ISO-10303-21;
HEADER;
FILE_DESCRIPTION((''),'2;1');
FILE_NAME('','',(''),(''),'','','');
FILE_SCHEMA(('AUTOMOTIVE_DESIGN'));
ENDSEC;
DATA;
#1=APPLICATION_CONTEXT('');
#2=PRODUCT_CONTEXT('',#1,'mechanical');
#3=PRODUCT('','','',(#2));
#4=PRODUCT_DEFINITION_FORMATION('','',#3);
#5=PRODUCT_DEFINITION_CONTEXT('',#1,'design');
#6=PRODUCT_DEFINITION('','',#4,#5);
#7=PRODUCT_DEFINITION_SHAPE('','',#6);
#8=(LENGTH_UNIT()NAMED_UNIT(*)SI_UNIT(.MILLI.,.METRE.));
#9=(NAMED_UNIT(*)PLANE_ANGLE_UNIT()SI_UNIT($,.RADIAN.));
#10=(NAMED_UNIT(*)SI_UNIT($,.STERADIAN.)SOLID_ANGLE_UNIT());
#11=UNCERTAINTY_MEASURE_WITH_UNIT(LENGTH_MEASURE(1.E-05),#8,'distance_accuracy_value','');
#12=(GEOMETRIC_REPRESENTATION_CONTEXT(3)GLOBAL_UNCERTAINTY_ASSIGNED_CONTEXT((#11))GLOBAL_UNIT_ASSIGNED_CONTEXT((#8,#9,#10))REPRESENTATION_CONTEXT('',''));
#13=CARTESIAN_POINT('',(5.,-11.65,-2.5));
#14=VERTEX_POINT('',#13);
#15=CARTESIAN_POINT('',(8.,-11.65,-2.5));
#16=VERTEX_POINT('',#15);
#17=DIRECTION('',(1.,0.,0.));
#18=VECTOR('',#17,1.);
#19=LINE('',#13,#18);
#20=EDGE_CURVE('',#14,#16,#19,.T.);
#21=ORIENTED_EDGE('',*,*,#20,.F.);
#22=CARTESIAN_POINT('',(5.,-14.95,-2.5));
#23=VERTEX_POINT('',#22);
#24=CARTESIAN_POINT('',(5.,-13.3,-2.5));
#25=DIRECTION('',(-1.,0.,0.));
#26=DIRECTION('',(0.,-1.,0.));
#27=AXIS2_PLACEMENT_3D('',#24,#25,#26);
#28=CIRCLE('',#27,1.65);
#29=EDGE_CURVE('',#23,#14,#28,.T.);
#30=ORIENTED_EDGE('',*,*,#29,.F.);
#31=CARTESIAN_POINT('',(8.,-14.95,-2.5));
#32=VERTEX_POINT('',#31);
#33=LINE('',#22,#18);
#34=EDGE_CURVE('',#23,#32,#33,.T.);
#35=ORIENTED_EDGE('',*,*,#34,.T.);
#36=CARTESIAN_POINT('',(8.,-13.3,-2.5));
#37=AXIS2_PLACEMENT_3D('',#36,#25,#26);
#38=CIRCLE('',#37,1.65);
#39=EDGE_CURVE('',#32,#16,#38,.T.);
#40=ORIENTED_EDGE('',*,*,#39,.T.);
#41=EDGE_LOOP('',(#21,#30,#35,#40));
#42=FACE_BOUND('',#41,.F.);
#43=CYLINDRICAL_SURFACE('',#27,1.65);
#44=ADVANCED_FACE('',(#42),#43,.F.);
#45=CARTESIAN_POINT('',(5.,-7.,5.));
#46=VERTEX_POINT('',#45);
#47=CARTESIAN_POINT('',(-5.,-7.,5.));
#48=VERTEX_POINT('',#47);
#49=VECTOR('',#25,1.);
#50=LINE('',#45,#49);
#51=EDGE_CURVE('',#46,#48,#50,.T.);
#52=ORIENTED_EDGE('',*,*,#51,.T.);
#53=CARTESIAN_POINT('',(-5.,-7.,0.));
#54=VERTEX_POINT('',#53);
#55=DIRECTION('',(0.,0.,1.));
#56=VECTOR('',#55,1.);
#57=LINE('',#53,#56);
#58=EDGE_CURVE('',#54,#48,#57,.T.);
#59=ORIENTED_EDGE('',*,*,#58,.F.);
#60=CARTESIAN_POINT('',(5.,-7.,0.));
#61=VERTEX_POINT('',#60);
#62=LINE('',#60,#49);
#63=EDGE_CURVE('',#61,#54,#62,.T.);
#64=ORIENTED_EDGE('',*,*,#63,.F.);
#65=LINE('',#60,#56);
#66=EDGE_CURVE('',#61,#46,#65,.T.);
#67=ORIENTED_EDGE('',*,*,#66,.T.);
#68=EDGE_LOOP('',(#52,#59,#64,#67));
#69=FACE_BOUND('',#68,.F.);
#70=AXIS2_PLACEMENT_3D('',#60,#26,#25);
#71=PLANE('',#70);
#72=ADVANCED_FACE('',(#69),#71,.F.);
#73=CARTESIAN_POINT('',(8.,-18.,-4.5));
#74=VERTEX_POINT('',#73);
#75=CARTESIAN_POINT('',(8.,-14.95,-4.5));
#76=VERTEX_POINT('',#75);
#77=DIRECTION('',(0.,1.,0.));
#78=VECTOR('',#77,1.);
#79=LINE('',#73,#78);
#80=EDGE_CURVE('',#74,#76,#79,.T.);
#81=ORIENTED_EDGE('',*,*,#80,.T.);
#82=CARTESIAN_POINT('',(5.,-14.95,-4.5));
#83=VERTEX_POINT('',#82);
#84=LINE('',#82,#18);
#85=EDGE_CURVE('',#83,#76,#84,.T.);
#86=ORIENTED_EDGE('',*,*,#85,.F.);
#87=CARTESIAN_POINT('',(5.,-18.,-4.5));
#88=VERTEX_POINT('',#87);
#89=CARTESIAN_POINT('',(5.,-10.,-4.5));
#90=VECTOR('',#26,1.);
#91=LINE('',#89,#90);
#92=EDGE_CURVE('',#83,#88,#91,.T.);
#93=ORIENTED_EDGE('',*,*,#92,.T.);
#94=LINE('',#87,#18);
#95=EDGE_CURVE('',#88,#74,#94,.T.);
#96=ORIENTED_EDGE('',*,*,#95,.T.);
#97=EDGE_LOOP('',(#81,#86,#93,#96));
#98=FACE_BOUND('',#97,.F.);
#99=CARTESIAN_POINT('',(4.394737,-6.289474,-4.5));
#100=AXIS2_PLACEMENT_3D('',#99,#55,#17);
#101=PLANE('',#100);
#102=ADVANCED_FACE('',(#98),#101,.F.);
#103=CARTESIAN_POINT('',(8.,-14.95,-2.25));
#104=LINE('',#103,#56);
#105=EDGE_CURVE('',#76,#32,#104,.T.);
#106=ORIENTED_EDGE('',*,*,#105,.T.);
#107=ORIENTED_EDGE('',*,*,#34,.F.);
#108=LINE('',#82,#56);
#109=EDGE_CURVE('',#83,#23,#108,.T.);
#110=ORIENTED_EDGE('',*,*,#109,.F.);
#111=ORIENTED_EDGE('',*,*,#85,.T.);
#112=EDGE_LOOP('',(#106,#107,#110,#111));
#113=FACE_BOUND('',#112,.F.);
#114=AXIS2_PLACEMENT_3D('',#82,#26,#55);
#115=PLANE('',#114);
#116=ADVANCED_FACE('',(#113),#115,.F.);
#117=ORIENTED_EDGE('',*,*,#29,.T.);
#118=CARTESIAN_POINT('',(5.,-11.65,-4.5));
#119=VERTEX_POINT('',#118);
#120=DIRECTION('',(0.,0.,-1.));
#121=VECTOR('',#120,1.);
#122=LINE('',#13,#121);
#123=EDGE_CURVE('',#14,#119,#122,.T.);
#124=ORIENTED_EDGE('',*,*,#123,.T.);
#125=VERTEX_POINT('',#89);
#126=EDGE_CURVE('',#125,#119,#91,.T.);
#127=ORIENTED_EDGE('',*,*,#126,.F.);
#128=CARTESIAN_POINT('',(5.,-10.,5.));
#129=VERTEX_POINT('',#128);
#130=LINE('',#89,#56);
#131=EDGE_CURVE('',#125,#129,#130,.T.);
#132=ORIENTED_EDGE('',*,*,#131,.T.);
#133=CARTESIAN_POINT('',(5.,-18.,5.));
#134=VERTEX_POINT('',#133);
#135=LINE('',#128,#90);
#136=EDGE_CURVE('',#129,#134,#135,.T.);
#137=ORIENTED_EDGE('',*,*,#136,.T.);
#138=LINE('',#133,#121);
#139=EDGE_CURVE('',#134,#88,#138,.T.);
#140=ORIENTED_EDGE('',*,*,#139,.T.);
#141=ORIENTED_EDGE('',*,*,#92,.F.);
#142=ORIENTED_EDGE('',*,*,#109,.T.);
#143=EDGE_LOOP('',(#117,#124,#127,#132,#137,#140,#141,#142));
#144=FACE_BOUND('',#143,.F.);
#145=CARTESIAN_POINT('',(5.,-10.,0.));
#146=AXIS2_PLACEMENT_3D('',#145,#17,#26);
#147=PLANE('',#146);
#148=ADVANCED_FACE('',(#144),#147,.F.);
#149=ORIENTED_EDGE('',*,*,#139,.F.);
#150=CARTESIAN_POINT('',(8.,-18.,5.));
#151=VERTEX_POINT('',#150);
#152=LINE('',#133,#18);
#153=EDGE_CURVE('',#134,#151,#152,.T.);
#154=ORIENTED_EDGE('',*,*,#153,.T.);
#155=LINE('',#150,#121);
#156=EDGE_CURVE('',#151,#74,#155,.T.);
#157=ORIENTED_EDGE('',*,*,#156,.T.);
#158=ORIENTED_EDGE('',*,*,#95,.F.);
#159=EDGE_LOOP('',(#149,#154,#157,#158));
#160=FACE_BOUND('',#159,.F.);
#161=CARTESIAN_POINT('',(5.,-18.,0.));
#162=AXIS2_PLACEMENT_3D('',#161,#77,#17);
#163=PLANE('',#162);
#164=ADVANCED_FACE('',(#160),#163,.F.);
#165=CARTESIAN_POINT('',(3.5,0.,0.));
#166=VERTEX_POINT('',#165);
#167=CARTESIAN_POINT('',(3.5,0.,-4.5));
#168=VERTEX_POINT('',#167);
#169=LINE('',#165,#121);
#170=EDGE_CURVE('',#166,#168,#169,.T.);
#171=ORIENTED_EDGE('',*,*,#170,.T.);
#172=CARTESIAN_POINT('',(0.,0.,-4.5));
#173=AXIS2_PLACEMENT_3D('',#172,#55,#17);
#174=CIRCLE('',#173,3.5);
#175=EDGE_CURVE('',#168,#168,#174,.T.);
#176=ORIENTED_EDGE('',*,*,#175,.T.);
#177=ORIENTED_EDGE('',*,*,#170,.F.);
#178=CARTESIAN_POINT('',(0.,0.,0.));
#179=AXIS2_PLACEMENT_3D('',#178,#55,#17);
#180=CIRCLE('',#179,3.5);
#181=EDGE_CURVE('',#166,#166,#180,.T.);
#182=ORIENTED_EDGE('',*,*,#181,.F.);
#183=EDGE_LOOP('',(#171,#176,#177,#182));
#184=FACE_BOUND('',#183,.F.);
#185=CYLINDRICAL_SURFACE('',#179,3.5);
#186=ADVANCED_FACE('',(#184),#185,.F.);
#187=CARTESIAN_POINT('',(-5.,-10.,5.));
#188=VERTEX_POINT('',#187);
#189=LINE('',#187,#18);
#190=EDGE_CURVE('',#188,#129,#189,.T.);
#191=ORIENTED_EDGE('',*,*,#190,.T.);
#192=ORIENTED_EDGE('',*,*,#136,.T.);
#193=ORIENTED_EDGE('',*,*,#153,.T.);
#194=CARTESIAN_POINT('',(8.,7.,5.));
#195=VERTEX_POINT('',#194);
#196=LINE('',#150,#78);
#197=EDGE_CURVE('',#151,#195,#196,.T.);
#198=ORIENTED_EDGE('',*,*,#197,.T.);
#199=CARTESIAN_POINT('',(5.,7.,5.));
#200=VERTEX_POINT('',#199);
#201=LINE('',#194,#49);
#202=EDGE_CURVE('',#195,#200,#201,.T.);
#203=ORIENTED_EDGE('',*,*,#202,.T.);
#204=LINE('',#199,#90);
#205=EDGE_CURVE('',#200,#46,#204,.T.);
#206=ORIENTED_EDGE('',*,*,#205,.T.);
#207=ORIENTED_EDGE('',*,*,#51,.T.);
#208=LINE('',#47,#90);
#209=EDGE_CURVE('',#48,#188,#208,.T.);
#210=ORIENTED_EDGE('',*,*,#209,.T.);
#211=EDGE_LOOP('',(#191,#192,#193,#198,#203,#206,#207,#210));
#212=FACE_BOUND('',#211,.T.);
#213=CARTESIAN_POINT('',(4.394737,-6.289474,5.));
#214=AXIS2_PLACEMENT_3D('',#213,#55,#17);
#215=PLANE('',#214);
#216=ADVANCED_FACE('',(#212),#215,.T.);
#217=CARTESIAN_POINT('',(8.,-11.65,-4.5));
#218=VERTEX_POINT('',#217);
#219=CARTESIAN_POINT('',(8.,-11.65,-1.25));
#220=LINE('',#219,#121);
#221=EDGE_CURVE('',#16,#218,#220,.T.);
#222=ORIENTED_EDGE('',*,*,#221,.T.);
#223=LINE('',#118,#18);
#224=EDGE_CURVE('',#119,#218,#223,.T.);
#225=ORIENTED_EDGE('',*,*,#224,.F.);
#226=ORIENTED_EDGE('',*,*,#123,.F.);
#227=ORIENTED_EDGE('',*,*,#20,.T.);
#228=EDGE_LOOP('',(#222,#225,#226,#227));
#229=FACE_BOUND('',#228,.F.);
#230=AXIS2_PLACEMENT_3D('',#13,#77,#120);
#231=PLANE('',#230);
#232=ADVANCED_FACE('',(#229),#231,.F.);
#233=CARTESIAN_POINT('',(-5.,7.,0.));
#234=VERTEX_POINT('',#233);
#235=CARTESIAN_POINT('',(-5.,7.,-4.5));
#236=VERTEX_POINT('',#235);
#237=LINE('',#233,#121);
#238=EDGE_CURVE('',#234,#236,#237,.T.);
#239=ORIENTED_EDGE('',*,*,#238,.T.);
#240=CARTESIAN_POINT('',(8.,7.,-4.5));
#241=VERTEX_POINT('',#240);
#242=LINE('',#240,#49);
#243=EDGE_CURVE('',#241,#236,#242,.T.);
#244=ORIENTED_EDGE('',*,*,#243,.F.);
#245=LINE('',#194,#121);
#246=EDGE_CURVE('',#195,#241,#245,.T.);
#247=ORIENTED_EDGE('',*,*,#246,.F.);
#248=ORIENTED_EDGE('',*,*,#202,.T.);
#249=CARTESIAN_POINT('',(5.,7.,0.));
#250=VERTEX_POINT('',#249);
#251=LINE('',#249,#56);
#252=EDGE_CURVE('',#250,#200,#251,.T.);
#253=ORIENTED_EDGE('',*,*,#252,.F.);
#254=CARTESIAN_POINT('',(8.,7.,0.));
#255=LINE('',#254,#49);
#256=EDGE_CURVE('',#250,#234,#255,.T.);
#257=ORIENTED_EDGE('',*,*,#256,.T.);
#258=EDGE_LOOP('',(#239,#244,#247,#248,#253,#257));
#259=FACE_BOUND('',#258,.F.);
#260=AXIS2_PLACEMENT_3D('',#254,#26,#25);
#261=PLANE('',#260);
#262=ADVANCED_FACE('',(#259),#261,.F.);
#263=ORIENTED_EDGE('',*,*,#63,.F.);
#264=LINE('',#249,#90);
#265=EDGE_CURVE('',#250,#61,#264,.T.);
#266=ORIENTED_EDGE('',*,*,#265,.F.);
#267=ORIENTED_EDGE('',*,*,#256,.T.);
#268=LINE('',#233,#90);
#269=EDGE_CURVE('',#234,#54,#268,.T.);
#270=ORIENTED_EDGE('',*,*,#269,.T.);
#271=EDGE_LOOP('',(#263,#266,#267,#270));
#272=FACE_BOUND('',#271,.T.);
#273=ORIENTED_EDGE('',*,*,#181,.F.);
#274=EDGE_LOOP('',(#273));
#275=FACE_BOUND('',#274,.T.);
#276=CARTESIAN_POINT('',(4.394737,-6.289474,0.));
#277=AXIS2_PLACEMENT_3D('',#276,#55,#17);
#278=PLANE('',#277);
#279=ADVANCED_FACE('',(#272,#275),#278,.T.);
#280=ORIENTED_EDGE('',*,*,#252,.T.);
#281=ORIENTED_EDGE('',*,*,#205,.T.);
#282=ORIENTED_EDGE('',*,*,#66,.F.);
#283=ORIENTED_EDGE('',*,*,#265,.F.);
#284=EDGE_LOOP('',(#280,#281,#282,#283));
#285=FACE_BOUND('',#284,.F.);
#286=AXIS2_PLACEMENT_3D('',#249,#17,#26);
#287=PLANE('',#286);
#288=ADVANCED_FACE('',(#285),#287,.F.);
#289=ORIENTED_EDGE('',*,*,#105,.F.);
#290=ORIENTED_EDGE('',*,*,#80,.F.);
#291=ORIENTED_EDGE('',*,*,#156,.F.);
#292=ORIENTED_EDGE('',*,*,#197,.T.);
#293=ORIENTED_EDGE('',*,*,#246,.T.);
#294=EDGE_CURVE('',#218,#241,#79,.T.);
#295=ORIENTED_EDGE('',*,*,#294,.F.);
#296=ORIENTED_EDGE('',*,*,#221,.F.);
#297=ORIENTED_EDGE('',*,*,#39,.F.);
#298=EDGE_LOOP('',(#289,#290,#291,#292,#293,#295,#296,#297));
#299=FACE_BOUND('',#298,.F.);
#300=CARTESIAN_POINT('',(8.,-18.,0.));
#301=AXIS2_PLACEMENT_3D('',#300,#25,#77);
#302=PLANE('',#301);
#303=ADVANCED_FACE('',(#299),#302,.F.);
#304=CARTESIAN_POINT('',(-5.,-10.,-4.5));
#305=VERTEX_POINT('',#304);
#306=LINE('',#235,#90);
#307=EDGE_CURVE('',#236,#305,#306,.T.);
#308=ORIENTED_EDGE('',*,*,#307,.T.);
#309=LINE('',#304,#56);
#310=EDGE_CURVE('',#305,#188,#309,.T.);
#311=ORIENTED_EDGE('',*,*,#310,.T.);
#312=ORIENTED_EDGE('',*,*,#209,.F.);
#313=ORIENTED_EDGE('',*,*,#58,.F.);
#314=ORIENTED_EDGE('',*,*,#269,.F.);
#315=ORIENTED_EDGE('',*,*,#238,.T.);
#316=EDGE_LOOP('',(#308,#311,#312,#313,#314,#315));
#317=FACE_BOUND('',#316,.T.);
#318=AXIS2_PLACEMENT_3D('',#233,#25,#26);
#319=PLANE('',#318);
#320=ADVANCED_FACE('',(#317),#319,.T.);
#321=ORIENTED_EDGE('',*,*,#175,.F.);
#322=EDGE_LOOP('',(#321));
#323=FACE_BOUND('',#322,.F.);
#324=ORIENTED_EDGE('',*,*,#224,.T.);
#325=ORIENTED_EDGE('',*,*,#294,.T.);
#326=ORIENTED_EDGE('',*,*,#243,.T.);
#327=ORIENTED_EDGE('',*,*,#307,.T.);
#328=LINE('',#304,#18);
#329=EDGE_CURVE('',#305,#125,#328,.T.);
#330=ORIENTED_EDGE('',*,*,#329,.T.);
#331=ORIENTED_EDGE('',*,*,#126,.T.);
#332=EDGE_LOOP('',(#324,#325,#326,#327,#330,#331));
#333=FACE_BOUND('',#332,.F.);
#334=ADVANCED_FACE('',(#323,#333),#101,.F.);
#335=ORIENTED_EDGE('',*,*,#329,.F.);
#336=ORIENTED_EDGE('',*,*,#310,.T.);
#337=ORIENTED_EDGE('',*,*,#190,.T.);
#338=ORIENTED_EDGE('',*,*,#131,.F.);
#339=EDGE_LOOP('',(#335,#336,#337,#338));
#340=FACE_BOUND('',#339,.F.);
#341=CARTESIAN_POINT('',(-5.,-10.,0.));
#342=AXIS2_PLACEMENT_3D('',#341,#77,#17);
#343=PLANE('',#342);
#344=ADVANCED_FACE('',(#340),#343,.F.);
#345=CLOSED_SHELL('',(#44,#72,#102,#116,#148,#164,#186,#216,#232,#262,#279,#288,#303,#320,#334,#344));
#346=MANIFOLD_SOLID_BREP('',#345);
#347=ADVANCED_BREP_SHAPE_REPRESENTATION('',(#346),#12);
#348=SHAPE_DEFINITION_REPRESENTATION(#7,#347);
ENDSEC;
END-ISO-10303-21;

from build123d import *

# Parameters (mm, degrees)
F0_W     = 10
F0_H     = 14
F0_R     = 3.5
F1_DEPTH = 4.5
F2_DEPTH = 5
F4_DEPTH = 25


with BuildPart() as f1:
    # F0 (on Top) → F1 (new body)
    with BuildSketch(Plane.XY):
        Polygon((8, 7), (5, 7), (5, -7), (-5, -7), (-5, -10), (5, -10), (5, -18), (8, -18), align=None)
        Rectangle(F0_W, F0_H)
        Circle(F0_R, mode=Mode.SUBTRACT)
    extrude(amount=-F1_DEPTH)

    # F0 (on Top) → F2 (join)
    with BuildSketch(Plane.XY):
        Polygon((8, 7), (5, 7), (5, -7), (-5, -7), (-5, -10), (5, -10), (5, -18), (8, -18), align=None)
    extrude(amount=F2_DEPTH)

    # F3 (on face) → F4 (cut)
    with BuildSketch(Plane(origin=(5, 0, 0), x_dir=(0, -1, 0), z_dir=(-1, 0, 0))):
        with BuildLine():
            Line((14.95, -4.5), (14.95, -2.5))
            ThreePointArc((14.95, -2.5), (13.3, -4.15), (11.65, -2.5))
            Line((11.65, -2.5), (11.65, -4.5))
            Line((11.65, -4.5), (14.95, -4.5))
        make_face()
        with BuildLine():
            ThreePointArc((11.65, -2.5), (13.3, -4.15), (14.95, -2.5))
            ThreePointArc((14.95, -2.5), (13.3, -0.85), (11.65, -2.5))
        make_face()
    extrude(amount=-F4_DEPTH, mode=Mode.SUBTRACT)


solid = f1.part
